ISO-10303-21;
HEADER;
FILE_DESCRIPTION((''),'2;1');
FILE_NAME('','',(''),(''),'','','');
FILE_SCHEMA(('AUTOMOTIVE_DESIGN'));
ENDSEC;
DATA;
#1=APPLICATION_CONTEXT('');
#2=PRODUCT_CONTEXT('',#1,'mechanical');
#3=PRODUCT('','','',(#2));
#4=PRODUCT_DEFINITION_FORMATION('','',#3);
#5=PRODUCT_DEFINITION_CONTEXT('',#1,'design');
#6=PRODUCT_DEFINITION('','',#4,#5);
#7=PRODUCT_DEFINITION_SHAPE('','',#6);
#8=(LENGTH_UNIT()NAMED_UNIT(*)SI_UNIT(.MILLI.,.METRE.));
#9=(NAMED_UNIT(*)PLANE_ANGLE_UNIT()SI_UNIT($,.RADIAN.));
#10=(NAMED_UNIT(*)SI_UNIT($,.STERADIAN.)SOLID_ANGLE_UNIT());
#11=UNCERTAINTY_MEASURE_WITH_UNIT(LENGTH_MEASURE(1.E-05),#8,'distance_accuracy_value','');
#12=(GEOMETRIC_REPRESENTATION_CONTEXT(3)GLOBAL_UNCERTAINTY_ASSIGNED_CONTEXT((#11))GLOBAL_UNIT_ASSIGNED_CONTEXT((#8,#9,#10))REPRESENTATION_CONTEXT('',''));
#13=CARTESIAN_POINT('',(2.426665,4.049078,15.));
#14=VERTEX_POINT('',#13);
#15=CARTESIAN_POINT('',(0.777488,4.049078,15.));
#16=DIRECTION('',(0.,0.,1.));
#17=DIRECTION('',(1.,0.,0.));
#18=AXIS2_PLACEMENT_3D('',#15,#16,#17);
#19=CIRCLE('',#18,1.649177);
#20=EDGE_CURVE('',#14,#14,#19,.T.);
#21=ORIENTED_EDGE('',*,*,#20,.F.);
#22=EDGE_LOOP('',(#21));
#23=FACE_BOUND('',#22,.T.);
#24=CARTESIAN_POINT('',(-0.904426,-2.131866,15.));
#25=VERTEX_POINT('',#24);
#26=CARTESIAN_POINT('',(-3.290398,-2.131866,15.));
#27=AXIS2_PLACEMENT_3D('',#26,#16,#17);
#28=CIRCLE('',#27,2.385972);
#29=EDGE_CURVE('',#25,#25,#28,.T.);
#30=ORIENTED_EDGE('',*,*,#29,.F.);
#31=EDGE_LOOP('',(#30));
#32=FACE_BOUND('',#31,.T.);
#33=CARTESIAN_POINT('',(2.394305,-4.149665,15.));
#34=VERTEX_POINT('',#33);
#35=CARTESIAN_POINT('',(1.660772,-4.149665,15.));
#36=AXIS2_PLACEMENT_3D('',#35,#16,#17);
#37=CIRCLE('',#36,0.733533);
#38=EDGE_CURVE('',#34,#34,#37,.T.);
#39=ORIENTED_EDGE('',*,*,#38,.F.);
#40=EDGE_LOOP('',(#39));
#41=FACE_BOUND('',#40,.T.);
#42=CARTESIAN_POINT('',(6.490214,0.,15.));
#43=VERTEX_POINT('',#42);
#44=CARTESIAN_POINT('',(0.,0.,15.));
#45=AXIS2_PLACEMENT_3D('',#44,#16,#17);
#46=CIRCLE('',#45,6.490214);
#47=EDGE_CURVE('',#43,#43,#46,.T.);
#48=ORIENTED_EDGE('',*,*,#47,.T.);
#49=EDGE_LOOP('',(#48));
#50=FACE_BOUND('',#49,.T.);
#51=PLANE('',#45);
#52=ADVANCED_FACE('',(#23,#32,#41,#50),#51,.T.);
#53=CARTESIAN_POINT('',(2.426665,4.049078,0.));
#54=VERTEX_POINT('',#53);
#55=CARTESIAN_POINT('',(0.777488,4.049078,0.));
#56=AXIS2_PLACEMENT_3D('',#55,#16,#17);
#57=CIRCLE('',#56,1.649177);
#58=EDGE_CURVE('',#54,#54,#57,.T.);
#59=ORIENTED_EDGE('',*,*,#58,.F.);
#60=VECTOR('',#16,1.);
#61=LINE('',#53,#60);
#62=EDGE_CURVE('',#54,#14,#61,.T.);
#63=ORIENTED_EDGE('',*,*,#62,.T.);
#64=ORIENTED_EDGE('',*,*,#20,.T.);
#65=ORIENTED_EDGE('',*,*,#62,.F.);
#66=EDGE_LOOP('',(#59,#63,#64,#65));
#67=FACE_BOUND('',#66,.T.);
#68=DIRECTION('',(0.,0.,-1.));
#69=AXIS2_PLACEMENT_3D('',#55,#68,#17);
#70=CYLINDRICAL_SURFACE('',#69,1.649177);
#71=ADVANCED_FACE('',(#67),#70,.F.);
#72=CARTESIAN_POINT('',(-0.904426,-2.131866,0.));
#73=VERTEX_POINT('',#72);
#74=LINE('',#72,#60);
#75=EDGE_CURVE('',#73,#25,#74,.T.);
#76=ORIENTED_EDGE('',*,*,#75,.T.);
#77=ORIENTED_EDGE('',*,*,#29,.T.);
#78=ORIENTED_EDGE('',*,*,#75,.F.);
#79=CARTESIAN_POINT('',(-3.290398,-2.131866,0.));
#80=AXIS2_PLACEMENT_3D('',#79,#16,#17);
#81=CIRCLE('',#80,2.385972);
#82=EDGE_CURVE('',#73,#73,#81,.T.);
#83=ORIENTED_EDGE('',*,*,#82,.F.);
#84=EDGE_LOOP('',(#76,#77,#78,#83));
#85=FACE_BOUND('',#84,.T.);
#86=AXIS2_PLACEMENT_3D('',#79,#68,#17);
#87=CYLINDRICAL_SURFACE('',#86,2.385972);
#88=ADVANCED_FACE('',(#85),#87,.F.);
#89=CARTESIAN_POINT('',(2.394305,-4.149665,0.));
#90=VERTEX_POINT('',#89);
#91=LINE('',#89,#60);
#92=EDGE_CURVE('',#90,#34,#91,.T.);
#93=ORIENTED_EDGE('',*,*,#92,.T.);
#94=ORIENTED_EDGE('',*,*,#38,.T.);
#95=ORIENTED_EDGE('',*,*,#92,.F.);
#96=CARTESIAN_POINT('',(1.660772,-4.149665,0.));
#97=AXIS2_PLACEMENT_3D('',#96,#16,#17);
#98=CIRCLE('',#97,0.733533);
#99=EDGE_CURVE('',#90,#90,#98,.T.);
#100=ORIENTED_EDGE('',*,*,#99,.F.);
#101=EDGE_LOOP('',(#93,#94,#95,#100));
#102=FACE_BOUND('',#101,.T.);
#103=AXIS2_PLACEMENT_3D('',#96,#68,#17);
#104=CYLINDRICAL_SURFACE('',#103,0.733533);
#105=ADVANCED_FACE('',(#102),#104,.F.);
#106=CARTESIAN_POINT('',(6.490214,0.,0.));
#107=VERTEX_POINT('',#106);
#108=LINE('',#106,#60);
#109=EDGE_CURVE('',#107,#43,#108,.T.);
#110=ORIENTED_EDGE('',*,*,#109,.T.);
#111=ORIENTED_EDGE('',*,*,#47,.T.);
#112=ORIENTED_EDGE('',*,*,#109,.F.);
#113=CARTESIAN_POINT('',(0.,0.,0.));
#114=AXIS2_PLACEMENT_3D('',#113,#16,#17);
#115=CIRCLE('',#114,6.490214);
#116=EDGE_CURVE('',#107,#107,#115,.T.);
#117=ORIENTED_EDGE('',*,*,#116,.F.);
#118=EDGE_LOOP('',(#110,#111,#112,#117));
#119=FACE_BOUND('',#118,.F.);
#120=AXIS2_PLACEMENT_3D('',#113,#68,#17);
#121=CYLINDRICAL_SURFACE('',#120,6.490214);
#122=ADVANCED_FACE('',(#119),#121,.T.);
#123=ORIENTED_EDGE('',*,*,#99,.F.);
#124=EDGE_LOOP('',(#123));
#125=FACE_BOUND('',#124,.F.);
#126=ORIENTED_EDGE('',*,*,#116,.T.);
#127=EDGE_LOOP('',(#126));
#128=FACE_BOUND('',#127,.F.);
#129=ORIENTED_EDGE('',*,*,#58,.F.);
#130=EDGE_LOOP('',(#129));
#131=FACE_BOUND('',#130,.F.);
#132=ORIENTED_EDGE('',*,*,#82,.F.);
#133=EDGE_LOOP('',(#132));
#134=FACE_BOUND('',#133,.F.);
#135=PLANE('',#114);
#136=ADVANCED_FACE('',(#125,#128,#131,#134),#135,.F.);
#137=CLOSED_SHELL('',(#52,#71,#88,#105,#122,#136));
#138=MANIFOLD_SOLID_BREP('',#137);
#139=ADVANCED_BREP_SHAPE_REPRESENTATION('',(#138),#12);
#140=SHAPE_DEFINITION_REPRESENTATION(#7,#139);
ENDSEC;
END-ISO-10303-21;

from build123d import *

# Parameters (mm, degrees)
F0_R     = 6.490214
F0_R_2   = 2.385972
F0_R_3   = 0.733533
F0_R_4   = 1.649177
F1_DEPTH = 15


with BuildPart() as f1:
    # F0 (on Top) → F1 (new body)
    with BuildSketch(Plane.XY):
        Circle(F0_R)
        with Locations((-3.290398, -2.131866)):
            Circle(F0_R_2, mode=Mode.SUBTRACT)
        with Locations((1.660772, -4.149665)):
            Circle(F0_R_3, mode=Mode.SUBTRACT)
        with Locations((0.777488, 4.049078)):
            Circle(F0_R_4, mode=Mode.SUBTRACT)
    extrude(amount=F1_DEPTH)


solid = f1.part
